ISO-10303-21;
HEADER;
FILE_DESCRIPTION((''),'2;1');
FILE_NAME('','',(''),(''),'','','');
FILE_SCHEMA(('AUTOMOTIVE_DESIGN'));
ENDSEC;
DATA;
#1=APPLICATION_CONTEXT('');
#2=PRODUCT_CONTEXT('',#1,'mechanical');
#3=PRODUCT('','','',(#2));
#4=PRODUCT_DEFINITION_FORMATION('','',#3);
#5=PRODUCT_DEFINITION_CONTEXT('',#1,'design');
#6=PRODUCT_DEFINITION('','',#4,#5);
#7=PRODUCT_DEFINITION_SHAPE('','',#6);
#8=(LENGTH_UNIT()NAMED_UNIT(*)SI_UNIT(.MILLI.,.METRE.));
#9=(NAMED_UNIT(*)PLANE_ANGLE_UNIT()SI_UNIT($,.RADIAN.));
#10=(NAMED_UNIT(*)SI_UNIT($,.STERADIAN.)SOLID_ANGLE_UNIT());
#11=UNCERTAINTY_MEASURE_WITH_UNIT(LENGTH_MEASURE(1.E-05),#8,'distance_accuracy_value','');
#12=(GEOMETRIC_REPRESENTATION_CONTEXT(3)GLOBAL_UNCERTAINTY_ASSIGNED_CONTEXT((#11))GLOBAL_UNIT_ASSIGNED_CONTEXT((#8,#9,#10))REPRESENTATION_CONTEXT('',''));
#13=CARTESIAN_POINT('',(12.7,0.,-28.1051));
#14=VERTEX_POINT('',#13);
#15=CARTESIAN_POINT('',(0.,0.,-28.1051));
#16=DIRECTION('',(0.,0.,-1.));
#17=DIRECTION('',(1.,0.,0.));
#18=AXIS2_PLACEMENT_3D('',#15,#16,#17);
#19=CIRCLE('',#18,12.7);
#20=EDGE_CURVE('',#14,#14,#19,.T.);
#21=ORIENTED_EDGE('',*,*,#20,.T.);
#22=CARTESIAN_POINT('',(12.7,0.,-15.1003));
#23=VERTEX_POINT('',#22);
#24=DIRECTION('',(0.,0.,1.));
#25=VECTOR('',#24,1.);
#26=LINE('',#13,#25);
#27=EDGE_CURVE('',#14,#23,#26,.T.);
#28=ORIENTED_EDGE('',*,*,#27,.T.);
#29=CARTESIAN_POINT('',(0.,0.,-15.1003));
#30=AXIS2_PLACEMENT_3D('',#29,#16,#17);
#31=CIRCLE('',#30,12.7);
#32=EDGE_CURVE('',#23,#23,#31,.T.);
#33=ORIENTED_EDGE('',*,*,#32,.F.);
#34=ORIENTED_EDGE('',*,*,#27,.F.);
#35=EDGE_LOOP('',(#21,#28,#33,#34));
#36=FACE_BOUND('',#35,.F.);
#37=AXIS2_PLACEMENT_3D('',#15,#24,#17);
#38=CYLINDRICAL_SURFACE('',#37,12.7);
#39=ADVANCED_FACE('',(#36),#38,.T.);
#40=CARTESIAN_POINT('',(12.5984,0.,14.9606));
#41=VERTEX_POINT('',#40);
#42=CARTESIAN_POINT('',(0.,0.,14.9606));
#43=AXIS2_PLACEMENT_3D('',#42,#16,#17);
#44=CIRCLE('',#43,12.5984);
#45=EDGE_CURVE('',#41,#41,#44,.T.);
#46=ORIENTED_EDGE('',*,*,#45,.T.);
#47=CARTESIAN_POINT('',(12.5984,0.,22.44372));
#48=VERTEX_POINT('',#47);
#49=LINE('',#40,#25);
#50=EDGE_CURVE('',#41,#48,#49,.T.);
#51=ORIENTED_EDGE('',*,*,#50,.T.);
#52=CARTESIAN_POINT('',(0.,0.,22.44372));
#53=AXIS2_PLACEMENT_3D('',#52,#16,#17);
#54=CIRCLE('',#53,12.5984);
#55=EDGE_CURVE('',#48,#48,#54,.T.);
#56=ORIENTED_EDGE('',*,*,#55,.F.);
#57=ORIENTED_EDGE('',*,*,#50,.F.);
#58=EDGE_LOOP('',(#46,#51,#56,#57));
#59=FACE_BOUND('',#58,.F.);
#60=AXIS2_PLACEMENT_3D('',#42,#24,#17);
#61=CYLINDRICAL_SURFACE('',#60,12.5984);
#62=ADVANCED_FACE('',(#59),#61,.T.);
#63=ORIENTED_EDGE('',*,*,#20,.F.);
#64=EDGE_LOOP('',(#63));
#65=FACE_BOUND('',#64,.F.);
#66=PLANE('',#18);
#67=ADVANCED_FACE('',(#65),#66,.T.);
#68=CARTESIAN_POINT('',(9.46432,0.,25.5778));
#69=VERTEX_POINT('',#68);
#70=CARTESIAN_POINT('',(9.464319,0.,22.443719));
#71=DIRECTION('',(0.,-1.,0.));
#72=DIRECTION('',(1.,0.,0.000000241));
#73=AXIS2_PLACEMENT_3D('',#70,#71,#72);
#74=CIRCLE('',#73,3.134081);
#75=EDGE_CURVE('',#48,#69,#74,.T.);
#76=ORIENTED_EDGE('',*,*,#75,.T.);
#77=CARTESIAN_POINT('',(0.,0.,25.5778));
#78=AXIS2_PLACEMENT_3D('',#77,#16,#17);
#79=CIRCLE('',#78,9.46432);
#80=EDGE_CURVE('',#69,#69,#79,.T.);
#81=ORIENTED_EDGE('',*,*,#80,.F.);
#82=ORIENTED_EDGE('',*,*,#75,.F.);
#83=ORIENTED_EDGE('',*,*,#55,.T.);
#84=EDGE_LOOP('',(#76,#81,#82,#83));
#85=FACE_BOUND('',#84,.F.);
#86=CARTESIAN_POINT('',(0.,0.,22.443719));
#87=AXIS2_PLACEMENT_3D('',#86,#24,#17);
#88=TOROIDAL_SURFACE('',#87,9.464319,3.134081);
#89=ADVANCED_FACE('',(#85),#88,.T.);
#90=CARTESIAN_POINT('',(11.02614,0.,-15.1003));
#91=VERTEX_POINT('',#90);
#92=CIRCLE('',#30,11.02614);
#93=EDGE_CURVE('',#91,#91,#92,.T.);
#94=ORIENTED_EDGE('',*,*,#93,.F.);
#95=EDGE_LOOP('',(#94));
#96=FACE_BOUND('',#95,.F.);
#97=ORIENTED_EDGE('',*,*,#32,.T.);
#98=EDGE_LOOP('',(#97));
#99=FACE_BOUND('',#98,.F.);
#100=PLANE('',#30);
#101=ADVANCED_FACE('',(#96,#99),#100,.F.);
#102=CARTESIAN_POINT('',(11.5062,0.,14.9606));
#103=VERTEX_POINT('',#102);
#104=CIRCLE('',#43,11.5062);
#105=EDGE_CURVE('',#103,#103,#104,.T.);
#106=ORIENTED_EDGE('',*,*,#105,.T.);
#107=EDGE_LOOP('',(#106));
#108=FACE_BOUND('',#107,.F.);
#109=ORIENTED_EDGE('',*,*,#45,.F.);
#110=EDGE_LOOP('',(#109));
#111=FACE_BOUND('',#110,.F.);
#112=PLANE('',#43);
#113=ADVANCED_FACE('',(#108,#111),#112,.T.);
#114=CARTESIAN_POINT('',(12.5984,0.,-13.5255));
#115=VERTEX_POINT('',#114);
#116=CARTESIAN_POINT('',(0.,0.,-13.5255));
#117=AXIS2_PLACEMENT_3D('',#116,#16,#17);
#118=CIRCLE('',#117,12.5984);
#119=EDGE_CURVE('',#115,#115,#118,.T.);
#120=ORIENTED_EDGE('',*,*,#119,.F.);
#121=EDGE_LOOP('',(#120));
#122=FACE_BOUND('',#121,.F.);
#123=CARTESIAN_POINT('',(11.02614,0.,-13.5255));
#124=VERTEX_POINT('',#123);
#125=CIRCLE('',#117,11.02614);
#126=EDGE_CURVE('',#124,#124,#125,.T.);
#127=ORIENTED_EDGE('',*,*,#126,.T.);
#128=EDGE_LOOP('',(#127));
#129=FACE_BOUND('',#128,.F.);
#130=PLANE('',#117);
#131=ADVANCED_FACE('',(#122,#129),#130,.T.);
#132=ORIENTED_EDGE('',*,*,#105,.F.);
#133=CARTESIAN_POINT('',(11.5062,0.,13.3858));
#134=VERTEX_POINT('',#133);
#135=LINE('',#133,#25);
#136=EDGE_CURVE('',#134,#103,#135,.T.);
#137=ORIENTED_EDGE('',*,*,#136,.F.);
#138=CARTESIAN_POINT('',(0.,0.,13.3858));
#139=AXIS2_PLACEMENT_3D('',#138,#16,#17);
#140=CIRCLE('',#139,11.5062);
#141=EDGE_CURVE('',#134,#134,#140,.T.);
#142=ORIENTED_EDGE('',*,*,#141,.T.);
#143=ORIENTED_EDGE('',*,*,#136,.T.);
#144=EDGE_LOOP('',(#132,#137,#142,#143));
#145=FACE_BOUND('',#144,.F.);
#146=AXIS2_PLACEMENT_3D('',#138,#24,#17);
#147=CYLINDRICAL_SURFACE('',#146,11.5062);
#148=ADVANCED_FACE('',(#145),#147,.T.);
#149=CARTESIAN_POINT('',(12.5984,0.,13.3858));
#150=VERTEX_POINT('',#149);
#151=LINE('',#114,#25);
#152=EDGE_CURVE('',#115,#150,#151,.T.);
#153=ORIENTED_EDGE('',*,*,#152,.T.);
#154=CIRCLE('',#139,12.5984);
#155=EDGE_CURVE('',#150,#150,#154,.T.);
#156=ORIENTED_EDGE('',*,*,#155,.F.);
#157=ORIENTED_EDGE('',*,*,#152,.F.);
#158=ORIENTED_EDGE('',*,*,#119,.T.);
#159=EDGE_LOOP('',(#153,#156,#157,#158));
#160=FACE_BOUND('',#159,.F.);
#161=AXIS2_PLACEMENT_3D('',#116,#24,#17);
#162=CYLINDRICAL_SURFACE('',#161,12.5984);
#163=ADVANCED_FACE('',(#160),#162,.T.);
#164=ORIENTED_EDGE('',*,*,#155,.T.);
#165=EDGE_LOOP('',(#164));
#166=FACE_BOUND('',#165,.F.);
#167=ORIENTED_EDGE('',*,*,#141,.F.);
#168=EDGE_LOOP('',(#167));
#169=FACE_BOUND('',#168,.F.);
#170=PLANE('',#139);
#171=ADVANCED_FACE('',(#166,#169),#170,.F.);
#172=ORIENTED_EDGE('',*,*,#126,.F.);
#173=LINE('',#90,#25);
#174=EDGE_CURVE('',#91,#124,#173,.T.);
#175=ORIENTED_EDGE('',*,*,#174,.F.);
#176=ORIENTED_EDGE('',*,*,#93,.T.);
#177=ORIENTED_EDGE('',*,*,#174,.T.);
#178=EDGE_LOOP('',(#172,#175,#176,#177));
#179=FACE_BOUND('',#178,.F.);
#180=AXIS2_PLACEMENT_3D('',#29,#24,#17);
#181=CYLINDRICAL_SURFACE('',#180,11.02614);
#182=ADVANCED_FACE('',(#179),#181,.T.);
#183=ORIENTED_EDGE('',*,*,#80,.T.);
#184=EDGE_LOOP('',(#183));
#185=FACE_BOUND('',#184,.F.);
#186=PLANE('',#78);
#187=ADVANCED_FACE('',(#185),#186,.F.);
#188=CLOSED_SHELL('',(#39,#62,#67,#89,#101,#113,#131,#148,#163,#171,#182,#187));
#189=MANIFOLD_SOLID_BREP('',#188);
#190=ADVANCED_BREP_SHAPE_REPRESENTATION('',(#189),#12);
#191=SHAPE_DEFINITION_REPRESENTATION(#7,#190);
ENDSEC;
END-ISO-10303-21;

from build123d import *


with BuildPart() as f1:
    # F0 (on Front) → F1 (revolve)
    with BuildSketch(Plane.XZ):
        with BuildLine():
            Line((12.5984, 13.3858), (11.5062, 13.3858))
            Line((11.5062, 13.3858), (11.5062, 14.9606))
            Line((11.5062, 14.9606), (12.5984, 14.9606))
            Line((12.5984, 14.9606), (12.5984, 22.44372))
            ThreePointArc((12.5984, 22.44372), (11.680449, 24.659849), (9.46432, 25.5778))
            Line((9.46432, 25.5778), (0, 25.5778))
            Line((0, 25.5778), (0, -28.1051))
            Line((0, -28.1051), (12.7, -28.1051))
            Line((12.7, -28.1051), (12.7, -15.1003))
            Line((12.7, -15.1003), (11.02614, -15.1003))
            Line((11.02614, -15.1003), (11.02614, -13.5255))
            Line((11.02614, -13.5255), (12.5984, -13.5255))
            Line((12.5984, -13.5255), (12.5984, 13.3858))
        make_face()
    revolve(axis=Axis((0, 0, -1.26365), (0, 0, -1)))


solid = f1.part
